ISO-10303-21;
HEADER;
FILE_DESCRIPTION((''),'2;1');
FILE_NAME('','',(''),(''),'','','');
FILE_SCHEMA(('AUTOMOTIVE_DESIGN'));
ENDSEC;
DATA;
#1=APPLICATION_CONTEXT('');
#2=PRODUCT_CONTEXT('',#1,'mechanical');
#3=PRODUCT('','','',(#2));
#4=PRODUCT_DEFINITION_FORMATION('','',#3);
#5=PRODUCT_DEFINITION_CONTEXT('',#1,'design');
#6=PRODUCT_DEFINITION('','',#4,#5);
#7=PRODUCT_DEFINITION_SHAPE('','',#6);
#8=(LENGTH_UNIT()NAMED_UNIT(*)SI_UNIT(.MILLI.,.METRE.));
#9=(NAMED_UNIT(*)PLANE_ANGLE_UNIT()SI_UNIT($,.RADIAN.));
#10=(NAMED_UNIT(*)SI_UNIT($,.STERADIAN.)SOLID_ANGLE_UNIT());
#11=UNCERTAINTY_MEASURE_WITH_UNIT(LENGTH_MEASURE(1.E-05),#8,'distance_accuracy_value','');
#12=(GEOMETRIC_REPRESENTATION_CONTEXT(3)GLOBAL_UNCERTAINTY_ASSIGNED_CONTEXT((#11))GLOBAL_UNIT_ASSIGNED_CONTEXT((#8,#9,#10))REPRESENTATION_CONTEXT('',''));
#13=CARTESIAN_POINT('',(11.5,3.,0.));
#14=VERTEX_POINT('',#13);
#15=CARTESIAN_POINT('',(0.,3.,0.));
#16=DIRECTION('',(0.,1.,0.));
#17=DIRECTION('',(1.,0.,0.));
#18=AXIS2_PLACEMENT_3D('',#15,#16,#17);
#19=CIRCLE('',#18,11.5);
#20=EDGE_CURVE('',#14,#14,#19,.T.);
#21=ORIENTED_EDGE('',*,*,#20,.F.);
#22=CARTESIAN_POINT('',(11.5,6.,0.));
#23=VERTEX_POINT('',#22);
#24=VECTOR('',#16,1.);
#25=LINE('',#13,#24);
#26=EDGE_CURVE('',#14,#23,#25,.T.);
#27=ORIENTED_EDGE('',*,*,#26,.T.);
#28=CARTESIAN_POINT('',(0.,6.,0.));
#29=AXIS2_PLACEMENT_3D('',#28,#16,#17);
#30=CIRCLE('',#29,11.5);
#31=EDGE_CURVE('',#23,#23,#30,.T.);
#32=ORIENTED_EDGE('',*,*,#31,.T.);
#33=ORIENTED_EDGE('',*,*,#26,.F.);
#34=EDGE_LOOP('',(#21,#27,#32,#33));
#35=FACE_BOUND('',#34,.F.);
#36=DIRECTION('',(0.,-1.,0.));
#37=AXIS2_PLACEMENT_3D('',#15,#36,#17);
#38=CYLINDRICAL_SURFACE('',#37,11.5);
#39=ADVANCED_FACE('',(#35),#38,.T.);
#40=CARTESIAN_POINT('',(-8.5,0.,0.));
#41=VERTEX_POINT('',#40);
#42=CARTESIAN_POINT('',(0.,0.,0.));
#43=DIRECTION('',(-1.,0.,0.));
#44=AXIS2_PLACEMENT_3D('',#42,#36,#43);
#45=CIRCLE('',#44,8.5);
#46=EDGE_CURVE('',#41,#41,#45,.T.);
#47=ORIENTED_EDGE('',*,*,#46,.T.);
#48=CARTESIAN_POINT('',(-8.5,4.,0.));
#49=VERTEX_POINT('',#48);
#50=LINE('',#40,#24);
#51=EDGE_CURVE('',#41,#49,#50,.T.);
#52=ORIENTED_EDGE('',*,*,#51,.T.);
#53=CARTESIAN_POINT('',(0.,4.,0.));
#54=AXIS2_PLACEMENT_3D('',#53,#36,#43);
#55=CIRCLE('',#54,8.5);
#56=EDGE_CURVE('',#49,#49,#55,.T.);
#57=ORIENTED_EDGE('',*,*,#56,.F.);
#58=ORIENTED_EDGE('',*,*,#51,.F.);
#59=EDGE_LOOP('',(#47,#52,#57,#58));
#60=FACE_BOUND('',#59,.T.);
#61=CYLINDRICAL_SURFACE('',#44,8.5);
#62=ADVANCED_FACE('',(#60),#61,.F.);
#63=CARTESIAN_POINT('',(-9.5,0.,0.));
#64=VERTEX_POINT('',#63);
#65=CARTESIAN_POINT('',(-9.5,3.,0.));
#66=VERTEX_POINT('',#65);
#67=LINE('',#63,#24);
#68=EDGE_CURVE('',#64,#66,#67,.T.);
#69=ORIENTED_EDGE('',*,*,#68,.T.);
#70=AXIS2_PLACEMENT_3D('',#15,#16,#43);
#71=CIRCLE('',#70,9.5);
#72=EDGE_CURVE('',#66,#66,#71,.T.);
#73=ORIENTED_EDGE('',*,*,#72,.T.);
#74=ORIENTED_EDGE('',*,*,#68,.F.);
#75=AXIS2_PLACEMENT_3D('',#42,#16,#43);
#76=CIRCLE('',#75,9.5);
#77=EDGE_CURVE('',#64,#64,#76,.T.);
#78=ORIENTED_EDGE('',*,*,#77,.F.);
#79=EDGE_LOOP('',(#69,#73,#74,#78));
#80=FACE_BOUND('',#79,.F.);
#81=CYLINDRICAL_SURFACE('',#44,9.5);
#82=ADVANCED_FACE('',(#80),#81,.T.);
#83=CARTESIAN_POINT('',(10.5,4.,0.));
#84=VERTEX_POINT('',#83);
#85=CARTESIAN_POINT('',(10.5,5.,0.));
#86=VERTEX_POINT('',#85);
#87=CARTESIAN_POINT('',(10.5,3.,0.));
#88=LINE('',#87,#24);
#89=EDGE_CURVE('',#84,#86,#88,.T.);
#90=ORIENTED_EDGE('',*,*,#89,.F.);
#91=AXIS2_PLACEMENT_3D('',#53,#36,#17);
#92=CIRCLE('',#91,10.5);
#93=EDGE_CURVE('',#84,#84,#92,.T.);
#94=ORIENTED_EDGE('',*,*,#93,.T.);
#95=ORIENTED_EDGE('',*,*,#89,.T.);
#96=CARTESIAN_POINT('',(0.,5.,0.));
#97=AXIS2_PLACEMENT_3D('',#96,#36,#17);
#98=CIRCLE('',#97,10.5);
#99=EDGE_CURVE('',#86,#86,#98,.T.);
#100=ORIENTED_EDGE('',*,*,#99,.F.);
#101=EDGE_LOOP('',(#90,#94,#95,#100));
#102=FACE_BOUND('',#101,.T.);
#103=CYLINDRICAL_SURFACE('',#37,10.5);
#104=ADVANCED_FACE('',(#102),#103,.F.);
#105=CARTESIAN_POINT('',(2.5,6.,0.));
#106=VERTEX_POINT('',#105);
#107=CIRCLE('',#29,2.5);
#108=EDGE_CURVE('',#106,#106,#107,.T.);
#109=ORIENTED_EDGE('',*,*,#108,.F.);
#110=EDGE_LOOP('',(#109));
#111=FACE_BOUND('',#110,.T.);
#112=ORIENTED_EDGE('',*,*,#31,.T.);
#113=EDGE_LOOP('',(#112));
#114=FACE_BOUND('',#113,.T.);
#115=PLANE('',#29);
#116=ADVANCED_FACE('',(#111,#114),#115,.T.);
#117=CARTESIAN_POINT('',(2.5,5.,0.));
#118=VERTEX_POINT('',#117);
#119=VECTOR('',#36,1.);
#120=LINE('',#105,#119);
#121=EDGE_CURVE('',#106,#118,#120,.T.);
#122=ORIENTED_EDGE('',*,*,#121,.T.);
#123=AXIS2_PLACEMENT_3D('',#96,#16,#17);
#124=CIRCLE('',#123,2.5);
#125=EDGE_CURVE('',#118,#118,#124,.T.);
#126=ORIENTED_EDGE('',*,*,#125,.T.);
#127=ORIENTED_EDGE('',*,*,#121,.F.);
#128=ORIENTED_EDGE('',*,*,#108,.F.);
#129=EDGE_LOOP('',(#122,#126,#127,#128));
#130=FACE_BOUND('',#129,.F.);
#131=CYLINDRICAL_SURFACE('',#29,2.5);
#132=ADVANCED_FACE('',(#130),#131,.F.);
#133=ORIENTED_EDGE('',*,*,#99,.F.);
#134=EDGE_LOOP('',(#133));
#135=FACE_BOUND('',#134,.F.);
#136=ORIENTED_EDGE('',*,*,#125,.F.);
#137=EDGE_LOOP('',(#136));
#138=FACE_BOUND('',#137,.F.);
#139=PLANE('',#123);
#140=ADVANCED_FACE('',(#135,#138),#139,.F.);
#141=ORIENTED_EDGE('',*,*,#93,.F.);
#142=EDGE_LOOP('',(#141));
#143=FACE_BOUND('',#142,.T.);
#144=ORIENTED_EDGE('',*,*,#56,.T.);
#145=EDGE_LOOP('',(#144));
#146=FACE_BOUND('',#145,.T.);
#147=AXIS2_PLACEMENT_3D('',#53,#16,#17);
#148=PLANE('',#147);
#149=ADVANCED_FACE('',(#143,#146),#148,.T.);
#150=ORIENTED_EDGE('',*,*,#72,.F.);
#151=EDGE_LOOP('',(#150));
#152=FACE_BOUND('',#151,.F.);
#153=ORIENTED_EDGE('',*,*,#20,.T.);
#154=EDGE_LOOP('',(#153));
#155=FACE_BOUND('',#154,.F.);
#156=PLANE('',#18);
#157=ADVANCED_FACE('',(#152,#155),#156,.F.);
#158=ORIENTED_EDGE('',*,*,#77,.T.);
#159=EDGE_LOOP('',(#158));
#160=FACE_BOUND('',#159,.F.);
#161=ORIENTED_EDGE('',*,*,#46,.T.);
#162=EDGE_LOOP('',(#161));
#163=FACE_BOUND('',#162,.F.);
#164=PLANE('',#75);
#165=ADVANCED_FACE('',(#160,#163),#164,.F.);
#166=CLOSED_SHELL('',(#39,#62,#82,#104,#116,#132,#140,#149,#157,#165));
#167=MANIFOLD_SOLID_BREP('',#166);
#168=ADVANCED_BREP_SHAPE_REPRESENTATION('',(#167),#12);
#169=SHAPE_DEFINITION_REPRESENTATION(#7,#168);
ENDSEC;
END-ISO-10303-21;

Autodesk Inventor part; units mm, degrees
ref_plane "YZ Plane" through (0, 0, 0) normal (1, 0, 0) x (0, 1, 0)
ref_plane "XZ Plane" through (0, 0, 0) normal (0, 1, 0) x (-1, 0, 0)
ref_plane "XY Plane" through (0, 0, 0) normal (0, 0, 1) x (1, 0, 0)
sketch "Sketch1" plane through (0, 0, 0) normal (0, 1, 0) x (-1, 0, 0)
  circle A0 centre (0, 0) radius 9.5
  dimension "d0" = 19
extrude "Extrusion1" add sketch "Sketch1" along normal blind 3
sketch "Sketch2" plane through (0, 3, 0) normal (0, 1, 0) x (1, 0, 0)
  circle A0 centre (0, 0) radius 11.5
  dimension "d3" = 23
extrude "Extrusion2" add sketch "Sketch2" along normal blind 3
shell "Shell1" thickness 1 removed faces 1 at (2.7119, 0, -0.7138)
sketch "Sketch3" plane through (0, 6, 0) normal (0, 1, 0) x (1, 0, 0)
  circle A0 centre (0, 0) radius 2.5
  dimension "d7" = 5
extrude "Extrusion3" cut sketch "Sketch3" against normal blind 3
properties part number "SwivelPartCap"
